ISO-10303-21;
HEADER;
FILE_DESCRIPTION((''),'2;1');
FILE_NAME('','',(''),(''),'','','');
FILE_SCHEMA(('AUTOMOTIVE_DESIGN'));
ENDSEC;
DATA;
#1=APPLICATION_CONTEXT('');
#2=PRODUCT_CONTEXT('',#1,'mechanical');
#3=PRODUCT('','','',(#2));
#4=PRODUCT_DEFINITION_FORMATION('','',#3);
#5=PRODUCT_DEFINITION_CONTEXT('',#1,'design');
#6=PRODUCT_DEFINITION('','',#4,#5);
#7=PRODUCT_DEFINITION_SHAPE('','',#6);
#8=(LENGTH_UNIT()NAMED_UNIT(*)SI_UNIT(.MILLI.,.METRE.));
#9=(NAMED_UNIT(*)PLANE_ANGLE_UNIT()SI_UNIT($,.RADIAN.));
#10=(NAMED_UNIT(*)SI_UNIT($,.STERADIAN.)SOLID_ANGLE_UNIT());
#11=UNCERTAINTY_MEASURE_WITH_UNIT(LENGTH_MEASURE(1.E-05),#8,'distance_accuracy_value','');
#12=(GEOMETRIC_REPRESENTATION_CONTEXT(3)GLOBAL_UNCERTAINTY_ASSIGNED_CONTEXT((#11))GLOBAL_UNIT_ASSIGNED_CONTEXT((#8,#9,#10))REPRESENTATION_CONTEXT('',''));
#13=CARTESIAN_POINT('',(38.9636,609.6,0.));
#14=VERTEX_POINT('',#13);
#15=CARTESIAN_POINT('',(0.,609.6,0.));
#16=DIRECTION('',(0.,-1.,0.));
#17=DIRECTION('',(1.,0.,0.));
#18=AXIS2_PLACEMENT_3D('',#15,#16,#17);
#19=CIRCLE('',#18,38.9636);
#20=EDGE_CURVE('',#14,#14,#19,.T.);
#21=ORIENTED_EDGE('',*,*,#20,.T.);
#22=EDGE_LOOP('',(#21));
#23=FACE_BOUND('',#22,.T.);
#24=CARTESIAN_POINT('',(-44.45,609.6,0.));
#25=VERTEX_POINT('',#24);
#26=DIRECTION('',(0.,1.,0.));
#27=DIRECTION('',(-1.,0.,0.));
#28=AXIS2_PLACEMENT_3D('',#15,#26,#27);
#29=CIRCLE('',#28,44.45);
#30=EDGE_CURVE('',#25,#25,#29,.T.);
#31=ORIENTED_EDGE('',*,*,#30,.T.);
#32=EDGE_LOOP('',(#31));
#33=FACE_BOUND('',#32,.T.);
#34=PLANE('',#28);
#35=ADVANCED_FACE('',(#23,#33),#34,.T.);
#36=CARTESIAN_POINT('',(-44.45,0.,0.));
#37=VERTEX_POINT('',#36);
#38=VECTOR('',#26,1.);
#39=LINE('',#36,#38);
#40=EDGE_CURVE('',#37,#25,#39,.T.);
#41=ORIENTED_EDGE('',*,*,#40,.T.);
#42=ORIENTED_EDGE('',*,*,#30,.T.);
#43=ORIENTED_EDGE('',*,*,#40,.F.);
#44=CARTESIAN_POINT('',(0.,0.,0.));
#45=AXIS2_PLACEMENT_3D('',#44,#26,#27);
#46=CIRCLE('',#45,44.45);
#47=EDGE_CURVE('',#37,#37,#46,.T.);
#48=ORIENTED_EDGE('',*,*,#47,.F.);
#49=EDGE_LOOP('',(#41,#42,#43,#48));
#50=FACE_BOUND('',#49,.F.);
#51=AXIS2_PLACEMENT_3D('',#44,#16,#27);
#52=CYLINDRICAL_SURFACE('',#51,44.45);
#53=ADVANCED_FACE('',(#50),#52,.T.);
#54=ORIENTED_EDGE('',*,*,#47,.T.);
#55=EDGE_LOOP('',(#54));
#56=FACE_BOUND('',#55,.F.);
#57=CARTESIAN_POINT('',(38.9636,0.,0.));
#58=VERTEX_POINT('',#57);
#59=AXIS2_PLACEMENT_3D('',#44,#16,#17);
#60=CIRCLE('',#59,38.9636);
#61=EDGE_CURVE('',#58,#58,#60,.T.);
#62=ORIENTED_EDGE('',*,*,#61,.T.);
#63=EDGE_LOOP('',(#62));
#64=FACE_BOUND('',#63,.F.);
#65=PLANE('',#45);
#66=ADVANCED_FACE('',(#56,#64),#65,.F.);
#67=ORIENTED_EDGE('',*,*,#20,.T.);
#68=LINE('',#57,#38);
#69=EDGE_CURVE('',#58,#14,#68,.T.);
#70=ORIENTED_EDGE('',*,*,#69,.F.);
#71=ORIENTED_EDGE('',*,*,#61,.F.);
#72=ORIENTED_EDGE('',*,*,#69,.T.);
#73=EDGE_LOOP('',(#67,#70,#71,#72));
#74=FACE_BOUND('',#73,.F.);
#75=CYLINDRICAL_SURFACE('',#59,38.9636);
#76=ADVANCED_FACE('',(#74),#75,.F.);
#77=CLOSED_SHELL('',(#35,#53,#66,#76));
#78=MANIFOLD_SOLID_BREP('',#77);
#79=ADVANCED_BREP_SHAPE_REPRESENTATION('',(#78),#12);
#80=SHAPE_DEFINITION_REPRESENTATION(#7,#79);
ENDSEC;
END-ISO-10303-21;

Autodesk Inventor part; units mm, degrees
ref_plane "YZ Plane" through (0, 0, 0) normal (1, 0, 0) x (0, 1, 0)
ref_plane "XZ Plane" through (0, 0, 0) normal (0, 1, 0) x (-1, 0, 0)
ref_plane "XY Plane" through (0, 0, 0) normal (0, 0, 1) x (1, 0, 0)
sketch "Sketch1" plane through (0, 0, 0) normal (0, 1, 0) x (-1, 0, 0)
  circle A0 centre (0, 0) radius 44.45
  dimension "d0" = 88.9
extrude "Extrusion1" add sketch "Sketch1" along normal blind 609.6
sketch "Sketch2" plane through (-27.4716, 0, -84.5489) normal (0, -1, 0) x (1, 0, 0)
  circle A0 centre (0, 0) radius 38.9636
  circle A1 centre (27.4716, 84.5489) radius 38.9636
  circle A2 centre (99.3932, 32.2948) radius 38.9636
  circle A3 centre (99.3932, 136.803) radius 38.9636
  circle A4 centre (0, 169.0978) radius 38.9636
  circle A5 centre (-61.4284, 84.5489) radius 38.9636
  dimension "d12" = 77.9272
  dimension "d16" = 360
extrude "Extrusion3" cut sketch "Sketch2" against normal through all contours A1
properties part number "Shooter-pipes" material "PVC-Piping"
